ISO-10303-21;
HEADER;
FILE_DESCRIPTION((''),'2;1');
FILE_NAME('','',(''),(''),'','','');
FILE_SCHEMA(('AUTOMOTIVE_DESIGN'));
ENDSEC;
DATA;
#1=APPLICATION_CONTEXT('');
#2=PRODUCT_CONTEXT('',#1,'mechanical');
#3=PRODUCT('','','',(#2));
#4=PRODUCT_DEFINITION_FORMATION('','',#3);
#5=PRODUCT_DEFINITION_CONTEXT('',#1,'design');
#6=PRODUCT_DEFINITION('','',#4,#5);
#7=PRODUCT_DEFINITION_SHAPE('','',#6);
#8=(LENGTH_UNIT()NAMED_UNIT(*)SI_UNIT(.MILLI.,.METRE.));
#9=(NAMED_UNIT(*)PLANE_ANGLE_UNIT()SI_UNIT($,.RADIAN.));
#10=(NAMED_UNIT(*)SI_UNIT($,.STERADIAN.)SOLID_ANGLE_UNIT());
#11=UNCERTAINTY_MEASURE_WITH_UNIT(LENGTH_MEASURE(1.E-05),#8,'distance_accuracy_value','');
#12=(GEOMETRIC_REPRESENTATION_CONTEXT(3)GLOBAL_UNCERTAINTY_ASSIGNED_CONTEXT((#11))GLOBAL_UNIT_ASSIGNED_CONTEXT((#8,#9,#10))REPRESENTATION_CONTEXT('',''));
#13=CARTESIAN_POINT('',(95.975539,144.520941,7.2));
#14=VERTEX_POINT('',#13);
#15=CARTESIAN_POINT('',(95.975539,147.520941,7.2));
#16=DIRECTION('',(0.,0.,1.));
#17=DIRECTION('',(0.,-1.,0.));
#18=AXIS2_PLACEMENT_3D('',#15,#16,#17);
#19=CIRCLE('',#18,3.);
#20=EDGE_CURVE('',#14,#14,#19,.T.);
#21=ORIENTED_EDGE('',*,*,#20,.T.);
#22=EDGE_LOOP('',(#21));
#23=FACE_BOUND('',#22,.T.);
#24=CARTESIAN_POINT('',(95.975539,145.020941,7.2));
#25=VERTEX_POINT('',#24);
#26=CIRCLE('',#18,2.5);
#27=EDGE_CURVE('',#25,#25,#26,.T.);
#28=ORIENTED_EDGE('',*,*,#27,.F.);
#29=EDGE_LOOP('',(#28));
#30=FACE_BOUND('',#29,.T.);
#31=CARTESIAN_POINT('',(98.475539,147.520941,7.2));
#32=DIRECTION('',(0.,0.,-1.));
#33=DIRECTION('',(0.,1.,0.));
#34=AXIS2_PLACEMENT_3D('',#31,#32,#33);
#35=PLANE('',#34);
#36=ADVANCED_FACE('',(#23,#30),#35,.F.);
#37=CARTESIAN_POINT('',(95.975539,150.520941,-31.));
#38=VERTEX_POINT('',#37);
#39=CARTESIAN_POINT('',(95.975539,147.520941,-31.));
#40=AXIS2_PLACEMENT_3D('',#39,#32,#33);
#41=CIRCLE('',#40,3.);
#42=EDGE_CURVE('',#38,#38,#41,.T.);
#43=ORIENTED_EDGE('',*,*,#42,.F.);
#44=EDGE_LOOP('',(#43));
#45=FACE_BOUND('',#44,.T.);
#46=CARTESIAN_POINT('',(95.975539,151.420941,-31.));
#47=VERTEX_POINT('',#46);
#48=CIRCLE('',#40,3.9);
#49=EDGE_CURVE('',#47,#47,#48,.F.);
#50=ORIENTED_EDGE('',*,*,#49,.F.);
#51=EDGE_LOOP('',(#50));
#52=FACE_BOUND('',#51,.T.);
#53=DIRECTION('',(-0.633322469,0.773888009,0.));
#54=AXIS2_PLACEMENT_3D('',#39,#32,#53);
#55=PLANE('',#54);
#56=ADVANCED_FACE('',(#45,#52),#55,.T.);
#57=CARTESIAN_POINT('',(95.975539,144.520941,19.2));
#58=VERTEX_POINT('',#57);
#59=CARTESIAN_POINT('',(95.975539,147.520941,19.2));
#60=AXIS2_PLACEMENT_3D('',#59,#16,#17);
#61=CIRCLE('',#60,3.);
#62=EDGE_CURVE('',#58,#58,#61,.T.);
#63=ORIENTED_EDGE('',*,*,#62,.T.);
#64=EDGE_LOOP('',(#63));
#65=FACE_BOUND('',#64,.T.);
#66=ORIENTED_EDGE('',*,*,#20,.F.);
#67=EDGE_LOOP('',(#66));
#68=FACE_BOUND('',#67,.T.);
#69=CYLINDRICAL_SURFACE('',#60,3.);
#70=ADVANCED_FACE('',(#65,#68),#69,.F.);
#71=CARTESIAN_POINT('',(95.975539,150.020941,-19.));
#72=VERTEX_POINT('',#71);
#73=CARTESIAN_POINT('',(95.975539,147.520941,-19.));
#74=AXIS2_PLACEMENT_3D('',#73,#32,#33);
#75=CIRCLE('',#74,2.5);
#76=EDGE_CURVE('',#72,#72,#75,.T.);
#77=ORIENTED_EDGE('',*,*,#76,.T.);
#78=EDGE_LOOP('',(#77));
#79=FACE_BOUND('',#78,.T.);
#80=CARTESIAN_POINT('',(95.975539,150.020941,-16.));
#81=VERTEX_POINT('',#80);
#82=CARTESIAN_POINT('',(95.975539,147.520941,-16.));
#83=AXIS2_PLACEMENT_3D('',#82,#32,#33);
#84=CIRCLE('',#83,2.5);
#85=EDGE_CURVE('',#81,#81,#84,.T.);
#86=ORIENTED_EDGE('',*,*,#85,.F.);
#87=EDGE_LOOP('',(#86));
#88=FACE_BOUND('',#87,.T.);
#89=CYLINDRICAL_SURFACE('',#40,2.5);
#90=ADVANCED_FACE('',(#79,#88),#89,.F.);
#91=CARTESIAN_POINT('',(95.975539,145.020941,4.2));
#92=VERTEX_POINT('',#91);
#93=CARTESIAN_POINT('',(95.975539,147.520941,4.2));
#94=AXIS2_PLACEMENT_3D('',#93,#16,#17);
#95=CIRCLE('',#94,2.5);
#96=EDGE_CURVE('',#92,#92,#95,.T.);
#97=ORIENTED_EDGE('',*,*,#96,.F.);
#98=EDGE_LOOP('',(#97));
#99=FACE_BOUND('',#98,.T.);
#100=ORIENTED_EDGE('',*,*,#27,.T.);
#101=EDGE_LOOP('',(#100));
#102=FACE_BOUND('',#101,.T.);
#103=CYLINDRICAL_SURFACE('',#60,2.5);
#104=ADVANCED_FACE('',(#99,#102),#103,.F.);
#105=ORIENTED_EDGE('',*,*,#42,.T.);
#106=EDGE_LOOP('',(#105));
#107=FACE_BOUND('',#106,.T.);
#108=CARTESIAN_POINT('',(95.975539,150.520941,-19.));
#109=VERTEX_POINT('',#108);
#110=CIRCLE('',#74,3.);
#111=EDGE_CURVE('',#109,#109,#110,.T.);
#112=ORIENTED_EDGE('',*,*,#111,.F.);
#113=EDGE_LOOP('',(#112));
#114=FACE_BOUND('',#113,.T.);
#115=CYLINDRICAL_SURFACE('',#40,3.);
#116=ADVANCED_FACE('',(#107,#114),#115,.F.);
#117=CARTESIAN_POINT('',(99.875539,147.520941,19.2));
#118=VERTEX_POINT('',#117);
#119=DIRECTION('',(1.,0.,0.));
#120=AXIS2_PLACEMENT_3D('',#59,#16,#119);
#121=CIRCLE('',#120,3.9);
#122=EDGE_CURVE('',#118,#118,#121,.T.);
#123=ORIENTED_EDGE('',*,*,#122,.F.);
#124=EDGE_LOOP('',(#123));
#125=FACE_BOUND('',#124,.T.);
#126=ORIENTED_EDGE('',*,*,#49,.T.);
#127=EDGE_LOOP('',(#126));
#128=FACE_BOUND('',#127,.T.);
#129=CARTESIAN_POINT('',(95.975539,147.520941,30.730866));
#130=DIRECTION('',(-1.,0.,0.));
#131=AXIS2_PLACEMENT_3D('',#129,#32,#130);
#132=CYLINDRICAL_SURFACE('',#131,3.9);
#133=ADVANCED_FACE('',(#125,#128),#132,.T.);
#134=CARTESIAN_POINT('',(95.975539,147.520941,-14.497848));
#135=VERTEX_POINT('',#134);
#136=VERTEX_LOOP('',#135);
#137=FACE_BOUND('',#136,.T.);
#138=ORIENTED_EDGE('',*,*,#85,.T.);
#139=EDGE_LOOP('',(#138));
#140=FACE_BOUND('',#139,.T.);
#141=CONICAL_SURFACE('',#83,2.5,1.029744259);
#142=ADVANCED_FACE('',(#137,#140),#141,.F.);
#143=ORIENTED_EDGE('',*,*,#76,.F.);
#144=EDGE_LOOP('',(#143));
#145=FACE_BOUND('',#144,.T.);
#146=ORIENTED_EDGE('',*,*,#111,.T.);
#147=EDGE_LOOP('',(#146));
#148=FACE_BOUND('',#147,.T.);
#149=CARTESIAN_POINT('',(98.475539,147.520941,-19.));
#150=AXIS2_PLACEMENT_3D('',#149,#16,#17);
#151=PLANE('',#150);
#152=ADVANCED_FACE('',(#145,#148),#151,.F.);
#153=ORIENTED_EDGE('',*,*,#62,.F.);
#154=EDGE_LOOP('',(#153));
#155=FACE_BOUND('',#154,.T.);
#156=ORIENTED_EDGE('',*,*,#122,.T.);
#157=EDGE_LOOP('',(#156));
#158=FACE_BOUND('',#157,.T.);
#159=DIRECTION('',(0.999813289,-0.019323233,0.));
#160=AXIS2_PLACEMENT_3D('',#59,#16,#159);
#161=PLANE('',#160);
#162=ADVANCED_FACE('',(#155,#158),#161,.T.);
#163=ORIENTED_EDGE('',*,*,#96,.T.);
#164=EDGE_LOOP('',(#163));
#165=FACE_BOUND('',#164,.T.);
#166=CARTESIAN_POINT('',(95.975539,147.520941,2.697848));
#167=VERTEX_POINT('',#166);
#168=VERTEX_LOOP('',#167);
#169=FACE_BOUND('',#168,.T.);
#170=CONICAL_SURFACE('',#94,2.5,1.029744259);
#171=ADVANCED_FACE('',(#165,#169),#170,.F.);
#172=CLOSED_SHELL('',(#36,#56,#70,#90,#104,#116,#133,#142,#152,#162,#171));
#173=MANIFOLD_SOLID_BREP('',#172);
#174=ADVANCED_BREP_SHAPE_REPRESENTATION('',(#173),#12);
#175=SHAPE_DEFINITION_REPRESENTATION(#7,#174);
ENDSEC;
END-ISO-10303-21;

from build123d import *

# Parameters (mm, degrees)
EXTRUDE1_DEPTH                  = 19.2
EXTRUDE1_DEPTH_BACK             = 31
SKETCH1_R                       = 3.9
M6X1_0_TAPPED_HOLE1_D           = 5
M6X1_0_TAPPED_HOLE1_DEPTH       = 15
M6X1_0_TAPPED_HOLE1_CBORE_D     = 6
M6X1_0_TAPPED_HOLE1_CBORE_DEPTH = 12
M6X1_0_TAPPED_HOLE1_TIP         = 1.502151548
M6X1_0_TAPPED_HOLE2_D           = 5
M6X1_0_TAPPED_HOLE2_DEPTH       = 15
M6X1_0_TAPPED_HOLE2_CBORE_D     = 6
M6X1_0_TAPPED_HOLE2_CBORE_DEPTH = 12
M6X1_0_TAPPED_HOLE2_TIP         = 1.502151548


with BuildPart() as part:
    # Sketch1 → Extrude1 (new, two sides: drawn at the far end of the back side and taken through both)
    with BuildSketch(Plane.XY.offset(-EXTRUDE1_DEPTH_BACK)):
        with Locations(Location((95.975539476, 147.520941453, 0), (0, 0, 90))):
            Circle(SKETCH1_R)
    extrude(amount=EXTRUDE1_DEPTH + EXTRUDE1_DEPTH_BACK)

    # M6x1.0 Tapped Hole1
    with Locations(Plane(origin=(95.975539476, 147.520941453, 19.2), x_dir=(1, 0, 0), z_dir=(0, 0, 1))):
        with Locations((0, 0)):
            CounterBoreHole(M6X1_0_TAPPED_HOLE1_D / 2, M6X1_0_TAPPED_HOLE1_CBORE_D / 2, M6X1_0_TAPPED_HOLE1_CBORE_DEPTH, depth=M6X1_0_TAPPED_HOLE1_DEPTH)
            with Locations((0, 0, -(M6X1_0_TAPPED_HOLE1_DEPTH + M6X1_0_TAPPED_HOLE1_TIP / 2))):  # 118° drill point
                Cone(0, M6X1_0_TAPPED_HOLE1_D / 2, M6X1_0_TAPPED_HOLE1_TIP, mode=Mode.SUBTRACT)

    # M6x1.0 Tapped Hole2
    with Locations(Plane(origin=(95.975539476, 147.520941453, -31), x_dir=(-1, 0, 0), z_dir=(0, 0, -1))):
        with Locations((0, 0)):
            CounterBoreHole(M6X1_0_TAPPED_HOLE2_D / 2, M6X1_0_TAPPED_HOLE2_CBORE_D / 2, M6X1_0_TAPPED_HOLE2_CBORE_DEPTH, depth=M6X1_0_TAPPED_HOLE2_DEPTH)
            with Locations((0, 0, -(M6X1_0_TAPPED_HOLE2_DEPTH + M6X1_0_TAPPED_HOLE2_TIP / 2))):  # 118° drill point
                Cone(0, M6X1_0_TAPPED_HOLE2_D / 2, M6X1_0_TAPPED_HOLE2_TIP, mode=Mode.SUBTRACT)


solid = part.part
